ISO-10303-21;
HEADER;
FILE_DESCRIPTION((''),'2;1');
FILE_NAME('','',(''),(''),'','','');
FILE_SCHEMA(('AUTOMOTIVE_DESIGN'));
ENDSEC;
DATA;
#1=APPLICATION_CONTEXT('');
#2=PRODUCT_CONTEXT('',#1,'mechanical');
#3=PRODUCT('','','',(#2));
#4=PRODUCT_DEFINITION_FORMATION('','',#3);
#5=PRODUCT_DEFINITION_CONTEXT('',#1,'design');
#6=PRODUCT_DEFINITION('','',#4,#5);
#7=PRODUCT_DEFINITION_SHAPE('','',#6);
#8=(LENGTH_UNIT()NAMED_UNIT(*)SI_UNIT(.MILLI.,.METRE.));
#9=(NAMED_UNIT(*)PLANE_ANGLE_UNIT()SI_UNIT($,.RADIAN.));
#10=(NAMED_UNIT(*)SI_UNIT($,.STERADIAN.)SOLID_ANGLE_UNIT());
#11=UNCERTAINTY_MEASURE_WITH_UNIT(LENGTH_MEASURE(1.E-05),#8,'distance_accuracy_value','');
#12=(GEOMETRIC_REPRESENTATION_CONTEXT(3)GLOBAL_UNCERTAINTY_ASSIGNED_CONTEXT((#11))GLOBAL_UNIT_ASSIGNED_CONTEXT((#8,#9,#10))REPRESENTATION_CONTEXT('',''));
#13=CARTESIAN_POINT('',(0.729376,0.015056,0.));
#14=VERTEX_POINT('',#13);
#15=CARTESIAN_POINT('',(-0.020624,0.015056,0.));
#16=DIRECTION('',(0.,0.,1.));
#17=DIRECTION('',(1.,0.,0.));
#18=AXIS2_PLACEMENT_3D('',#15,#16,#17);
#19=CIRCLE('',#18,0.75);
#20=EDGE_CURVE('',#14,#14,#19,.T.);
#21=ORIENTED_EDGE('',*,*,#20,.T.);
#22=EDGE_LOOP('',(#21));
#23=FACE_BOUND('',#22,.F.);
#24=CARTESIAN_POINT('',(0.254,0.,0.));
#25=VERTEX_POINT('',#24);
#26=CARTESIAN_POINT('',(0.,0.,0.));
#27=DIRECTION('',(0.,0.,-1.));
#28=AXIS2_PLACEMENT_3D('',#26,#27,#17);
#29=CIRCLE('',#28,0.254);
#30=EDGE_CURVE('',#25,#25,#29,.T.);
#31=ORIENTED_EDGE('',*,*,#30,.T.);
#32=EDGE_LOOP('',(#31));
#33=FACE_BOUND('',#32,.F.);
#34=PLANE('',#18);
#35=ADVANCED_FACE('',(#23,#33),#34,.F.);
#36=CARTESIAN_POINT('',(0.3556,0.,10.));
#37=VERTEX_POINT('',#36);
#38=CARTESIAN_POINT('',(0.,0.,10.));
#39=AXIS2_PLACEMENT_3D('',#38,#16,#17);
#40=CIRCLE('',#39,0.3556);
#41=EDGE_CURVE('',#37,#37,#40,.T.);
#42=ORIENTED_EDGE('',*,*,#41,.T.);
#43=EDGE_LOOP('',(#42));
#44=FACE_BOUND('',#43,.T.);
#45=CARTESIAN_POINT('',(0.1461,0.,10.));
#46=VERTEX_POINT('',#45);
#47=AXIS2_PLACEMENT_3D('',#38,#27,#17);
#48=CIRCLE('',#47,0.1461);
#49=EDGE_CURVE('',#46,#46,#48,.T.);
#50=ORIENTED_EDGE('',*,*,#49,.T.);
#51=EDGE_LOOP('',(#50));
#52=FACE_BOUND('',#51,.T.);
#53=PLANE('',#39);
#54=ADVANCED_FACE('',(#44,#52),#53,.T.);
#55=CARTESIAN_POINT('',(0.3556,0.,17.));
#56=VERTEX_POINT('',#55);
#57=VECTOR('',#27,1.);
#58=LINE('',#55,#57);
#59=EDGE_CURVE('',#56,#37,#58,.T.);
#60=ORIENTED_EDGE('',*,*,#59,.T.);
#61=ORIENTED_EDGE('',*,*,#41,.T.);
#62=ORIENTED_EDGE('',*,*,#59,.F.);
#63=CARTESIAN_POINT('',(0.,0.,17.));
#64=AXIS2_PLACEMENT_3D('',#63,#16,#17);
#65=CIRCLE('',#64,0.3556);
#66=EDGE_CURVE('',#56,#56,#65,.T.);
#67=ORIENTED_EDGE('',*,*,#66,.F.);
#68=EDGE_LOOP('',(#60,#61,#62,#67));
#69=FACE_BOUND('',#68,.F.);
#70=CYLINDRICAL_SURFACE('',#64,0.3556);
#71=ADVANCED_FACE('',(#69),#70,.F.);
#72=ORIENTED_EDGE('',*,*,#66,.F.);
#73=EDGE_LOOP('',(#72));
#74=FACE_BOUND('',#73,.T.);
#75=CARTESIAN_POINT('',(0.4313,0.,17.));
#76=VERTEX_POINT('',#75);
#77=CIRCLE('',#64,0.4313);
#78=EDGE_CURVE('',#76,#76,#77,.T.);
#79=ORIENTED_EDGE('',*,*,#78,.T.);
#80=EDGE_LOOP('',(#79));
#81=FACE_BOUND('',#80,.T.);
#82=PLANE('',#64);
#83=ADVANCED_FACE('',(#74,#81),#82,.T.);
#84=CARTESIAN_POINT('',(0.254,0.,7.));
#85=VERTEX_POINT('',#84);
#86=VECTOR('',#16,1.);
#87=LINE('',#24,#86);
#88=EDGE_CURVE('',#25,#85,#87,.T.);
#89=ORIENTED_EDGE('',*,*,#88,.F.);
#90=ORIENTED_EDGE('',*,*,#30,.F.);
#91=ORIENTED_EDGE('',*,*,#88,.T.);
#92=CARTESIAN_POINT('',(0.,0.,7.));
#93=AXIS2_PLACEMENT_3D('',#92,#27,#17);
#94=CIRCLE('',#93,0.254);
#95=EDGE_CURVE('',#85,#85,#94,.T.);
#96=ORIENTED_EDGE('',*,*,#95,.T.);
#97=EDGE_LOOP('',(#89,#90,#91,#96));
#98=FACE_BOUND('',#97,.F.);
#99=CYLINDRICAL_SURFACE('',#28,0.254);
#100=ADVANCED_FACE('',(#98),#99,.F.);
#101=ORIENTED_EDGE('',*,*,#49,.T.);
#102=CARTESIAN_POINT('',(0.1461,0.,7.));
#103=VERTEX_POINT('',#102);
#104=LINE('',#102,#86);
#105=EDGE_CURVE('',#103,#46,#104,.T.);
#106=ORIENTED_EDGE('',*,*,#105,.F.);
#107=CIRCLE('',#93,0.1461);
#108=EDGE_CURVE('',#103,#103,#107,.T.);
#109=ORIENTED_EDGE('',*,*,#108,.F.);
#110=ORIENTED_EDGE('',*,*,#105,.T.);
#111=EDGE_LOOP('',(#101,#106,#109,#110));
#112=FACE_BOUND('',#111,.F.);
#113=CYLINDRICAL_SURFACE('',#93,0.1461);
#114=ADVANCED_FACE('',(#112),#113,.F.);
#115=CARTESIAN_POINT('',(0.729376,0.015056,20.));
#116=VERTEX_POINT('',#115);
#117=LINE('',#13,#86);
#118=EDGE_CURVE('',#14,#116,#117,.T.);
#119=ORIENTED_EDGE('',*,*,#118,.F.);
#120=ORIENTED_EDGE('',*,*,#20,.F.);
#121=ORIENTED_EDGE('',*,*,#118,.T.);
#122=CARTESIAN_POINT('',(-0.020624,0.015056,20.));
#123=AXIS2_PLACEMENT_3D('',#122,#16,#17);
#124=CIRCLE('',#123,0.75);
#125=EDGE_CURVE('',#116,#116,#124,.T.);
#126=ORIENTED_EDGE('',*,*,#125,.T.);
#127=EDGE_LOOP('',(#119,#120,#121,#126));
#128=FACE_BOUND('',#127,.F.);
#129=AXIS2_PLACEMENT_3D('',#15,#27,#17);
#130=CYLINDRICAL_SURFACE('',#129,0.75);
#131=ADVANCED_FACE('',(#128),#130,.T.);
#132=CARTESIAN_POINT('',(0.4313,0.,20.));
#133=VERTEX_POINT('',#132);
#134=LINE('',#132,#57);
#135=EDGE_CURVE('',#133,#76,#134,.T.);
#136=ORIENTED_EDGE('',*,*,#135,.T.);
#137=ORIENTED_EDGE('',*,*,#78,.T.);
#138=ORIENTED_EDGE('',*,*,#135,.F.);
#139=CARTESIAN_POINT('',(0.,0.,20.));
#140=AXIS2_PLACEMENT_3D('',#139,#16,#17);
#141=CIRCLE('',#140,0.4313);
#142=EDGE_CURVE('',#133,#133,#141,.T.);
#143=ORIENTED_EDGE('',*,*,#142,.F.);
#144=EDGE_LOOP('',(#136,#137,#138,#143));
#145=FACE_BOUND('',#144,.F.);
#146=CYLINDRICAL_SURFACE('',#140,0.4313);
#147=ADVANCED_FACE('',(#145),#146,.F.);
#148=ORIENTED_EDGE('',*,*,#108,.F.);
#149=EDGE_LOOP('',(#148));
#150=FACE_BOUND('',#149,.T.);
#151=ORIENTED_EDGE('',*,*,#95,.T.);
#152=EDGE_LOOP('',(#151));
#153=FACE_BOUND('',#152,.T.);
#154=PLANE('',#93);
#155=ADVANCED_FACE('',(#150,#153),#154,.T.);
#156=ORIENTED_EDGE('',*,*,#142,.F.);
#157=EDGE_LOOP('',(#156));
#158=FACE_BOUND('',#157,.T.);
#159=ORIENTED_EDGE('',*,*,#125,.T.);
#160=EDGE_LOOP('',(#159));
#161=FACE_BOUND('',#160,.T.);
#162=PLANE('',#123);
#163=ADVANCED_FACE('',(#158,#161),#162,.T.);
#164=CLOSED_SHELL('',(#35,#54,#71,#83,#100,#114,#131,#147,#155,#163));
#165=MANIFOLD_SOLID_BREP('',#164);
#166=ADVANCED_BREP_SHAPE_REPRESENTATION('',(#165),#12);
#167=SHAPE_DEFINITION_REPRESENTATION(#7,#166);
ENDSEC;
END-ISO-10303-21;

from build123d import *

# Parameters (mm, degrees)
F0_R     = 0.75
F1_DEPTH = 20
F2_R     = 0.4313
F3_DEPTH = 3
F4_R     = 0.3556
F5_DEPTH = 7
F6_R     = 0.254
F7_DEPTH = 7
F8_R     = 0.1461
F9_DEPTH = 3


with BuildPart() as f1:
    # F0 (on Top) → F1 (new body)
    with BuildSketch(Plane.XY):
        with Locations((-0.020624, 0.015056)):
            Circle(F0_R)
    extrude(amount=F1_DEPTH)

    # F2 (on face) → F3 (cut)
    with BuildSketch(Plane.XY.offset(20)):
        Circle(F2_R)
    extrude(amount=-F3_DEPTH, mode=Mode.SUBTRACT)

    # F4 (on face) → F5 (cut)
    with BuildSketch(Plane.XY.offset(17)):
        Circle(F4_R)
    extrude(amount=-F5_DEPTH, mode=Mode.SUBTRACT)

    # F6 (on face) → F7 (cut)
    with BuildSketch(Plane(origin=(0, 0, 0), x_dir=(1, 0, 0), z_dir=(0, 0, -1))):
        Circle(F6_R)
    extrude(amount=-F7_DEPTH, mode=Mode.SUBTRACT)

    # F8 (on face) → F9 (cut)
    with BuildSketch(Plane(origin=(0, 0, 7), x_dir=(1, 0, 0), z_dir=(0, 0, -1))):
        Circle(F8_R)
    extrude(amount=-F9_DEPTH, mode=Mode.SUBTRACT)


solid = f1.part
